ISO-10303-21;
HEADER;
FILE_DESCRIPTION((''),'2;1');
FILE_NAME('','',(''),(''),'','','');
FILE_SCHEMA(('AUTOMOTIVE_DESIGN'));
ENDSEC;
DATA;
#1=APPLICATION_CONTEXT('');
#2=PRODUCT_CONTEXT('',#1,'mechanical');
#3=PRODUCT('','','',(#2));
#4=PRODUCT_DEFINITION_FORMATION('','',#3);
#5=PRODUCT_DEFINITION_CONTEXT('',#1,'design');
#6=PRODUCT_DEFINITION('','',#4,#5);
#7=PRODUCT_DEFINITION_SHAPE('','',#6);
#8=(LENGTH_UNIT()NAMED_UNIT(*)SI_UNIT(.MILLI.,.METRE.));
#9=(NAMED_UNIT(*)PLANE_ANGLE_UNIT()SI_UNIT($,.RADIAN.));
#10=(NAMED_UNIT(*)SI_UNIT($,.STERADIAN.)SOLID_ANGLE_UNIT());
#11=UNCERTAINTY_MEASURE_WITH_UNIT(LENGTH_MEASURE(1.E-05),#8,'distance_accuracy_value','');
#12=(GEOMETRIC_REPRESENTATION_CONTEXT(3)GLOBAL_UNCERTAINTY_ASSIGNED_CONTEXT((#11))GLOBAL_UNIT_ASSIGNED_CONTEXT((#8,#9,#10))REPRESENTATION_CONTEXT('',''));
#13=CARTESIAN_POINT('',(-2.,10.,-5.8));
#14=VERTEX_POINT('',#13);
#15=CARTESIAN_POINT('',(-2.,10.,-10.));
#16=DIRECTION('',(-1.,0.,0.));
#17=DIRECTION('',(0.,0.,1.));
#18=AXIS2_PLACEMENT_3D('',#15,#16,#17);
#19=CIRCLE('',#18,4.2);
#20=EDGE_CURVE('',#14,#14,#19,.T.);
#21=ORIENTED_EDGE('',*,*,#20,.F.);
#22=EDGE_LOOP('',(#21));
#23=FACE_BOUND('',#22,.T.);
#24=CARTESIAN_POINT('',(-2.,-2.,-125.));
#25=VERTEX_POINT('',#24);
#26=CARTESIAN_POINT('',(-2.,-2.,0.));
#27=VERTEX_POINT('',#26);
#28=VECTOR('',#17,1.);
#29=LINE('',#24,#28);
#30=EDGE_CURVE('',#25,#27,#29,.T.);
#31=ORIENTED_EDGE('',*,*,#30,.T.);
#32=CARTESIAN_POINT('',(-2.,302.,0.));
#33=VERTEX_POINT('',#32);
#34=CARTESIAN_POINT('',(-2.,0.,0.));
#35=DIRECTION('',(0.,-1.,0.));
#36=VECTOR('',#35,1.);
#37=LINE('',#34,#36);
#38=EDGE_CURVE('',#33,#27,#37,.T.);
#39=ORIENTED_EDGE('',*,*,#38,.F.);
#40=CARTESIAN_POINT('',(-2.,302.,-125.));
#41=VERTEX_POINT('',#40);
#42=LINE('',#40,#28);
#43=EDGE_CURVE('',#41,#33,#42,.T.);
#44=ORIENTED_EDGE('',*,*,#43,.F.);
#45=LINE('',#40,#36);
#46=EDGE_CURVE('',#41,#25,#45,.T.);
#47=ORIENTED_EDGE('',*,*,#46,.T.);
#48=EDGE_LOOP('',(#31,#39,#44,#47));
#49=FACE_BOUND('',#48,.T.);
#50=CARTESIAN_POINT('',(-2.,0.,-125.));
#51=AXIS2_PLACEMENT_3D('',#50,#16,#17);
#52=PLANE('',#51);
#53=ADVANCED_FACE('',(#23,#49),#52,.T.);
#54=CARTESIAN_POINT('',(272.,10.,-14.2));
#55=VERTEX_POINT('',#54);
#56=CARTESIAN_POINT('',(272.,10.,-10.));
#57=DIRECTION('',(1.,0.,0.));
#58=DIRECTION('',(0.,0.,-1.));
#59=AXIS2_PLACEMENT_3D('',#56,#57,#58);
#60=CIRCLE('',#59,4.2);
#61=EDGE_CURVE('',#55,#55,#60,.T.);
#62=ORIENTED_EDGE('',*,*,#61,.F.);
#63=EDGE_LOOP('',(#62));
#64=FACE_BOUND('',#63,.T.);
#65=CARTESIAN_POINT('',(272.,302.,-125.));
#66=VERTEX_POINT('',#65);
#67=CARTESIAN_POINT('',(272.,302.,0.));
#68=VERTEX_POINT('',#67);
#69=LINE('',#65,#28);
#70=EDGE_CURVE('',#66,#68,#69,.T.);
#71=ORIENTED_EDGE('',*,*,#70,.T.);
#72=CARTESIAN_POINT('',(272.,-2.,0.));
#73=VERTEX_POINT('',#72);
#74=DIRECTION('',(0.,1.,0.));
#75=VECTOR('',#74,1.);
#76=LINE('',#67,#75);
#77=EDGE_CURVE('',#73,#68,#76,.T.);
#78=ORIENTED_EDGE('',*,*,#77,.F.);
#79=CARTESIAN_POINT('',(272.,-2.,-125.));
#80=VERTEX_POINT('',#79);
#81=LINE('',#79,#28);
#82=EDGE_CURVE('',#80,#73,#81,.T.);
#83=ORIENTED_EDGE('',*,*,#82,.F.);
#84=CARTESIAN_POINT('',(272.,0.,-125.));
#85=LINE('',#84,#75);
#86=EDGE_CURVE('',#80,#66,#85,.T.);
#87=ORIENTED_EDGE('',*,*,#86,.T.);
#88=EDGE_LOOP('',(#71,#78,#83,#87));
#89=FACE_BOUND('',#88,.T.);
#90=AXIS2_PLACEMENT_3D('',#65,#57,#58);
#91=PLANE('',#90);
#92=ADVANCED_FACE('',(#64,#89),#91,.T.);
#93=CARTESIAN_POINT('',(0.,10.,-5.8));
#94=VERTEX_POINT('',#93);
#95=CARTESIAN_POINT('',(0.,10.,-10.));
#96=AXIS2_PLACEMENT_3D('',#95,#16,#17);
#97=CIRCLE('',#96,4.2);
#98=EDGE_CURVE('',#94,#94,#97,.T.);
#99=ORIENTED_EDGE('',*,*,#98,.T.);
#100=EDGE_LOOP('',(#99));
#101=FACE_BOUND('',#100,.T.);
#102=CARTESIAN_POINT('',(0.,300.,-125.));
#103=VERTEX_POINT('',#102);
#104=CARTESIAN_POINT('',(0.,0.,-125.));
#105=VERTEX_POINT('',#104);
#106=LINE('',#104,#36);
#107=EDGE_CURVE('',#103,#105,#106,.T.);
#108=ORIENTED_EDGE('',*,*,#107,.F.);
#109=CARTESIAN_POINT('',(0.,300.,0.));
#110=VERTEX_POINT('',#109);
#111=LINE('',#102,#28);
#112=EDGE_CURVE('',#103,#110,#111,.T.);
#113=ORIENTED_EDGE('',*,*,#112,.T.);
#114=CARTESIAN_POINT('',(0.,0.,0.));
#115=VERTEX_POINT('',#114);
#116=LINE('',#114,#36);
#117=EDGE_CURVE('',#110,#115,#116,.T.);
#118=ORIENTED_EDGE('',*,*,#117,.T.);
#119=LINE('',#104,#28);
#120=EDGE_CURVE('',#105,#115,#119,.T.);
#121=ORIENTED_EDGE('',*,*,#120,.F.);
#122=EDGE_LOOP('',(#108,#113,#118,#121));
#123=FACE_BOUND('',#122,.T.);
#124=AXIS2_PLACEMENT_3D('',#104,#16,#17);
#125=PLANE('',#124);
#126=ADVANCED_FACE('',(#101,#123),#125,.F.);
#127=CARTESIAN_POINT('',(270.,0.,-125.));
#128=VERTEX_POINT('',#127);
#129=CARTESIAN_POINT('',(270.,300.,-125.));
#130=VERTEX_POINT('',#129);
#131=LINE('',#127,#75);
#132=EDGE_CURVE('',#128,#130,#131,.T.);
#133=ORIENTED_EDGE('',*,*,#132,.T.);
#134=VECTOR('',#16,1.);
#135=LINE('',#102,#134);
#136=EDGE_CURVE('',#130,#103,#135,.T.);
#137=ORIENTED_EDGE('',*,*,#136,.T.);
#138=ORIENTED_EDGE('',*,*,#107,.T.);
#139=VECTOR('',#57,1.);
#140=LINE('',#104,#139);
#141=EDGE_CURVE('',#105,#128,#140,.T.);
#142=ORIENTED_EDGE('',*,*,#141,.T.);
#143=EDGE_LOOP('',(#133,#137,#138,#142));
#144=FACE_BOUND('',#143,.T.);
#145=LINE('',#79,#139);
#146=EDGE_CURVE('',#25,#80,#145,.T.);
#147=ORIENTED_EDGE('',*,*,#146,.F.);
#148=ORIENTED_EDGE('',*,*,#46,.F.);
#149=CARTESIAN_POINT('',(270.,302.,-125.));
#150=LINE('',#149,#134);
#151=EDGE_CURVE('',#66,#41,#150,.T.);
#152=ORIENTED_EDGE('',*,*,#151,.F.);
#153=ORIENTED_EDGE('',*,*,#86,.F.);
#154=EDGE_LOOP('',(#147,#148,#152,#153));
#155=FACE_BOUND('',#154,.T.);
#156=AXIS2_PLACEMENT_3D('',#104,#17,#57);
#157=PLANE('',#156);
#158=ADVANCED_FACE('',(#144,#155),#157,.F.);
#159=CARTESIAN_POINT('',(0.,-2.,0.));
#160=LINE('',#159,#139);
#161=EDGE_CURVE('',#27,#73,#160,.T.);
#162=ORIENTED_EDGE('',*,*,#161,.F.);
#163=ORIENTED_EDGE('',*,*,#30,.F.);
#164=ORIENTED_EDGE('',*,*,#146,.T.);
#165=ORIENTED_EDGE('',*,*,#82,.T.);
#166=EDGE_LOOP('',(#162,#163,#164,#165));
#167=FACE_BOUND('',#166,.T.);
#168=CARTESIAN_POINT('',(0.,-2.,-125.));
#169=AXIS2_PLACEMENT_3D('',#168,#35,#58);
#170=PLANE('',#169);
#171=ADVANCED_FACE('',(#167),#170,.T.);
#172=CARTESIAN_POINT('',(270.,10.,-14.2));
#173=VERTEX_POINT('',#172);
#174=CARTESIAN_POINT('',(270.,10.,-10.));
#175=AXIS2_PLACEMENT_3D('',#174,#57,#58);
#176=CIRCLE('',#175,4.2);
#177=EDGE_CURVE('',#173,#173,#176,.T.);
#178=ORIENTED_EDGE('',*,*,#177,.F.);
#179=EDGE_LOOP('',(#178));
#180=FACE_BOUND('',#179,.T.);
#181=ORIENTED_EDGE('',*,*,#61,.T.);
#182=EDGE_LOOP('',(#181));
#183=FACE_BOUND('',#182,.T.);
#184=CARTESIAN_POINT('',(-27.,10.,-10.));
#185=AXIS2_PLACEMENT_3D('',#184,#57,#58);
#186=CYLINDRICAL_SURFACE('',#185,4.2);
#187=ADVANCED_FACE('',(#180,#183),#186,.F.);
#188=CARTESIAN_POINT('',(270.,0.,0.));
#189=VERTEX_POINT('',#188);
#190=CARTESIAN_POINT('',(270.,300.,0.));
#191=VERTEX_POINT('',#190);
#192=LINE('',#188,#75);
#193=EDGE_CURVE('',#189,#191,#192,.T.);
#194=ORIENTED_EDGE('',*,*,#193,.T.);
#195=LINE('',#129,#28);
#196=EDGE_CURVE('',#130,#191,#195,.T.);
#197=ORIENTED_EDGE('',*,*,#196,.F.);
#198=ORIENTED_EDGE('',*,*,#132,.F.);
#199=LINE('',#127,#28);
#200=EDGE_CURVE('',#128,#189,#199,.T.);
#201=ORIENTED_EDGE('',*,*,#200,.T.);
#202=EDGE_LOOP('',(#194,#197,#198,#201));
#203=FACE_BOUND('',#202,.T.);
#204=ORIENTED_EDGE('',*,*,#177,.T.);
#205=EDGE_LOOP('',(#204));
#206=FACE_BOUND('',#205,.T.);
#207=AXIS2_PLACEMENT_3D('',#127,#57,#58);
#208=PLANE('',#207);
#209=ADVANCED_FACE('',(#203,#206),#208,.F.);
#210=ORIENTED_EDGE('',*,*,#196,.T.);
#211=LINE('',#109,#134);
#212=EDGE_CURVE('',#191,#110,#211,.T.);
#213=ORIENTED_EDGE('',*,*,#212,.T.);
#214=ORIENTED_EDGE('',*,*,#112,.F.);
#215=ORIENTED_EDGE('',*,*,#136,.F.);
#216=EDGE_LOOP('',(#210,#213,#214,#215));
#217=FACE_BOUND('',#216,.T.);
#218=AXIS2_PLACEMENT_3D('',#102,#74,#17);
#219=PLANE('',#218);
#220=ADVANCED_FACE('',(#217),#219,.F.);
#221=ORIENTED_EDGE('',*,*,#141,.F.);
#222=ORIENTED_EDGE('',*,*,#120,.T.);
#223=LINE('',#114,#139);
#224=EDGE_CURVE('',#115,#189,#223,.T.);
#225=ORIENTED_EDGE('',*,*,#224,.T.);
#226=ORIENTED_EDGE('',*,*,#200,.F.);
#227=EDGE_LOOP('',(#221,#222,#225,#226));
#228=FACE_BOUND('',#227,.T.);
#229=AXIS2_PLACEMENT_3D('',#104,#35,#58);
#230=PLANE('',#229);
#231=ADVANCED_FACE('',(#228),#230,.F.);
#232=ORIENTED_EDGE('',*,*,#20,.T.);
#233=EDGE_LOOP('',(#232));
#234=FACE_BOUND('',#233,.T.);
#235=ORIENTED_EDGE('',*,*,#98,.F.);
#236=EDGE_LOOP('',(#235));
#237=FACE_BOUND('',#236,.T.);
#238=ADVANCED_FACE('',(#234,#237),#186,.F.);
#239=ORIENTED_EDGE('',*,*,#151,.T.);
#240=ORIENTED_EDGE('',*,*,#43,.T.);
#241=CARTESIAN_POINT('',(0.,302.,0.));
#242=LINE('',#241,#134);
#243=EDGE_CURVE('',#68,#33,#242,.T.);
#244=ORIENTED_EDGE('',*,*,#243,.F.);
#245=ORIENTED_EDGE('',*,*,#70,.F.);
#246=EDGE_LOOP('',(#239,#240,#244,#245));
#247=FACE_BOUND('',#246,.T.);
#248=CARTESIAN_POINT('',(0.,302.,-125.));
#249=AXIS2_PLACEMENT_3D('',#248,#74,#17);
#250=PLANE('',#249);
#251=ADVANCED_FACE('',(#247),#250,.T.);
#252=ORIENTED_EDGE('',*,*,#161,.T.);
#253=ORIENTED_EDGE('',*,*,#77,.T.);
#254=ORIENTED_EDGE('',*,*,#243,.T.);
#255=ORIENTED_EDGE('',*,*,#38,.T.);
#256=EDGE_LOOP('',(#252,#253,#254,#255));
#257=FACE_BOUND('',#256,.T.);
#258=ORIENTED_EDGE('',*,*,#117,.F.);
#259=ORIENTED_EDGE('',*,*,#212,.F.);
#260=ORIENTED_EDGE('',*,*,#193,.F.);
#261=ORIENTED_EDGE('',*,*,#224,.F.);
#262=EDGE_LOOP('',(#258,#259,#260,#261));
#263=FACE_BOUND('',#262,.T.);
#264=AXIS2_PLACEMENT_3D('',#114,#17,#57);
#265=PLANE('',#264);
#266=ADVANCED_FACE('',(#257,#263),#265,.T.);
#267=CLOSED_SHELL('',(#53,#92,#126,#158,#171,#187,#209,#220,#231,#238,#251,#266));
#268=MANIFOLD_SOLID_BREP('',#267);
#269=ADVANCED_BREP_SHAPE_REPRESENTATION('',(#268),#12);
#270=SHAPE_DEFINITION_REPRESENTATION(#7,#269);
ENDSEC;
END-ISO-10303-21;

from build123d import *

# Parameters (mm, degrees)
SKETCH1_W           = 270
SKETCH1_H           = 300
BOSS_EXTRUDE1_DEPTH = 125
SKETCH5_R           = 4.2
CUT_EXTRUDE1_DEPTH  = 299


with BuildPart() as part:
    # Sketch1 → Boss-Extrude1 (new body)
    with BuildSketch(Plane.XY):
        Polygon((270, 302), (272, 302), (272, 300), (272, 0), (272, -2), (270, -2), (0, -2), (-2, -2), (-2, 0), (-2, 300), (-2, 302), (0, 302), align=None)
        with Locations((135, 150)):
            Rectangle(SKETCH1_W, SKETCH1_H, mode=Mode.SUBTRACT)
    extrude(amount=-BOSS_EXTRUDE1_DEPTH)

    # Sketch5 → Cut-Extrude1 (cut)
    with BuildSketch(Plane(origin=(272, 0, 0), x_dir=(0, 0, -1), z_dir=(1, 0, 0))):
        with Locations((10, 10)):
            Circle(SKETCH5_R)
    extrude(amount=-CUT_EXTRUDE1_DEPTH, mode=Mode.SUBTRACT)


solid = part.part
